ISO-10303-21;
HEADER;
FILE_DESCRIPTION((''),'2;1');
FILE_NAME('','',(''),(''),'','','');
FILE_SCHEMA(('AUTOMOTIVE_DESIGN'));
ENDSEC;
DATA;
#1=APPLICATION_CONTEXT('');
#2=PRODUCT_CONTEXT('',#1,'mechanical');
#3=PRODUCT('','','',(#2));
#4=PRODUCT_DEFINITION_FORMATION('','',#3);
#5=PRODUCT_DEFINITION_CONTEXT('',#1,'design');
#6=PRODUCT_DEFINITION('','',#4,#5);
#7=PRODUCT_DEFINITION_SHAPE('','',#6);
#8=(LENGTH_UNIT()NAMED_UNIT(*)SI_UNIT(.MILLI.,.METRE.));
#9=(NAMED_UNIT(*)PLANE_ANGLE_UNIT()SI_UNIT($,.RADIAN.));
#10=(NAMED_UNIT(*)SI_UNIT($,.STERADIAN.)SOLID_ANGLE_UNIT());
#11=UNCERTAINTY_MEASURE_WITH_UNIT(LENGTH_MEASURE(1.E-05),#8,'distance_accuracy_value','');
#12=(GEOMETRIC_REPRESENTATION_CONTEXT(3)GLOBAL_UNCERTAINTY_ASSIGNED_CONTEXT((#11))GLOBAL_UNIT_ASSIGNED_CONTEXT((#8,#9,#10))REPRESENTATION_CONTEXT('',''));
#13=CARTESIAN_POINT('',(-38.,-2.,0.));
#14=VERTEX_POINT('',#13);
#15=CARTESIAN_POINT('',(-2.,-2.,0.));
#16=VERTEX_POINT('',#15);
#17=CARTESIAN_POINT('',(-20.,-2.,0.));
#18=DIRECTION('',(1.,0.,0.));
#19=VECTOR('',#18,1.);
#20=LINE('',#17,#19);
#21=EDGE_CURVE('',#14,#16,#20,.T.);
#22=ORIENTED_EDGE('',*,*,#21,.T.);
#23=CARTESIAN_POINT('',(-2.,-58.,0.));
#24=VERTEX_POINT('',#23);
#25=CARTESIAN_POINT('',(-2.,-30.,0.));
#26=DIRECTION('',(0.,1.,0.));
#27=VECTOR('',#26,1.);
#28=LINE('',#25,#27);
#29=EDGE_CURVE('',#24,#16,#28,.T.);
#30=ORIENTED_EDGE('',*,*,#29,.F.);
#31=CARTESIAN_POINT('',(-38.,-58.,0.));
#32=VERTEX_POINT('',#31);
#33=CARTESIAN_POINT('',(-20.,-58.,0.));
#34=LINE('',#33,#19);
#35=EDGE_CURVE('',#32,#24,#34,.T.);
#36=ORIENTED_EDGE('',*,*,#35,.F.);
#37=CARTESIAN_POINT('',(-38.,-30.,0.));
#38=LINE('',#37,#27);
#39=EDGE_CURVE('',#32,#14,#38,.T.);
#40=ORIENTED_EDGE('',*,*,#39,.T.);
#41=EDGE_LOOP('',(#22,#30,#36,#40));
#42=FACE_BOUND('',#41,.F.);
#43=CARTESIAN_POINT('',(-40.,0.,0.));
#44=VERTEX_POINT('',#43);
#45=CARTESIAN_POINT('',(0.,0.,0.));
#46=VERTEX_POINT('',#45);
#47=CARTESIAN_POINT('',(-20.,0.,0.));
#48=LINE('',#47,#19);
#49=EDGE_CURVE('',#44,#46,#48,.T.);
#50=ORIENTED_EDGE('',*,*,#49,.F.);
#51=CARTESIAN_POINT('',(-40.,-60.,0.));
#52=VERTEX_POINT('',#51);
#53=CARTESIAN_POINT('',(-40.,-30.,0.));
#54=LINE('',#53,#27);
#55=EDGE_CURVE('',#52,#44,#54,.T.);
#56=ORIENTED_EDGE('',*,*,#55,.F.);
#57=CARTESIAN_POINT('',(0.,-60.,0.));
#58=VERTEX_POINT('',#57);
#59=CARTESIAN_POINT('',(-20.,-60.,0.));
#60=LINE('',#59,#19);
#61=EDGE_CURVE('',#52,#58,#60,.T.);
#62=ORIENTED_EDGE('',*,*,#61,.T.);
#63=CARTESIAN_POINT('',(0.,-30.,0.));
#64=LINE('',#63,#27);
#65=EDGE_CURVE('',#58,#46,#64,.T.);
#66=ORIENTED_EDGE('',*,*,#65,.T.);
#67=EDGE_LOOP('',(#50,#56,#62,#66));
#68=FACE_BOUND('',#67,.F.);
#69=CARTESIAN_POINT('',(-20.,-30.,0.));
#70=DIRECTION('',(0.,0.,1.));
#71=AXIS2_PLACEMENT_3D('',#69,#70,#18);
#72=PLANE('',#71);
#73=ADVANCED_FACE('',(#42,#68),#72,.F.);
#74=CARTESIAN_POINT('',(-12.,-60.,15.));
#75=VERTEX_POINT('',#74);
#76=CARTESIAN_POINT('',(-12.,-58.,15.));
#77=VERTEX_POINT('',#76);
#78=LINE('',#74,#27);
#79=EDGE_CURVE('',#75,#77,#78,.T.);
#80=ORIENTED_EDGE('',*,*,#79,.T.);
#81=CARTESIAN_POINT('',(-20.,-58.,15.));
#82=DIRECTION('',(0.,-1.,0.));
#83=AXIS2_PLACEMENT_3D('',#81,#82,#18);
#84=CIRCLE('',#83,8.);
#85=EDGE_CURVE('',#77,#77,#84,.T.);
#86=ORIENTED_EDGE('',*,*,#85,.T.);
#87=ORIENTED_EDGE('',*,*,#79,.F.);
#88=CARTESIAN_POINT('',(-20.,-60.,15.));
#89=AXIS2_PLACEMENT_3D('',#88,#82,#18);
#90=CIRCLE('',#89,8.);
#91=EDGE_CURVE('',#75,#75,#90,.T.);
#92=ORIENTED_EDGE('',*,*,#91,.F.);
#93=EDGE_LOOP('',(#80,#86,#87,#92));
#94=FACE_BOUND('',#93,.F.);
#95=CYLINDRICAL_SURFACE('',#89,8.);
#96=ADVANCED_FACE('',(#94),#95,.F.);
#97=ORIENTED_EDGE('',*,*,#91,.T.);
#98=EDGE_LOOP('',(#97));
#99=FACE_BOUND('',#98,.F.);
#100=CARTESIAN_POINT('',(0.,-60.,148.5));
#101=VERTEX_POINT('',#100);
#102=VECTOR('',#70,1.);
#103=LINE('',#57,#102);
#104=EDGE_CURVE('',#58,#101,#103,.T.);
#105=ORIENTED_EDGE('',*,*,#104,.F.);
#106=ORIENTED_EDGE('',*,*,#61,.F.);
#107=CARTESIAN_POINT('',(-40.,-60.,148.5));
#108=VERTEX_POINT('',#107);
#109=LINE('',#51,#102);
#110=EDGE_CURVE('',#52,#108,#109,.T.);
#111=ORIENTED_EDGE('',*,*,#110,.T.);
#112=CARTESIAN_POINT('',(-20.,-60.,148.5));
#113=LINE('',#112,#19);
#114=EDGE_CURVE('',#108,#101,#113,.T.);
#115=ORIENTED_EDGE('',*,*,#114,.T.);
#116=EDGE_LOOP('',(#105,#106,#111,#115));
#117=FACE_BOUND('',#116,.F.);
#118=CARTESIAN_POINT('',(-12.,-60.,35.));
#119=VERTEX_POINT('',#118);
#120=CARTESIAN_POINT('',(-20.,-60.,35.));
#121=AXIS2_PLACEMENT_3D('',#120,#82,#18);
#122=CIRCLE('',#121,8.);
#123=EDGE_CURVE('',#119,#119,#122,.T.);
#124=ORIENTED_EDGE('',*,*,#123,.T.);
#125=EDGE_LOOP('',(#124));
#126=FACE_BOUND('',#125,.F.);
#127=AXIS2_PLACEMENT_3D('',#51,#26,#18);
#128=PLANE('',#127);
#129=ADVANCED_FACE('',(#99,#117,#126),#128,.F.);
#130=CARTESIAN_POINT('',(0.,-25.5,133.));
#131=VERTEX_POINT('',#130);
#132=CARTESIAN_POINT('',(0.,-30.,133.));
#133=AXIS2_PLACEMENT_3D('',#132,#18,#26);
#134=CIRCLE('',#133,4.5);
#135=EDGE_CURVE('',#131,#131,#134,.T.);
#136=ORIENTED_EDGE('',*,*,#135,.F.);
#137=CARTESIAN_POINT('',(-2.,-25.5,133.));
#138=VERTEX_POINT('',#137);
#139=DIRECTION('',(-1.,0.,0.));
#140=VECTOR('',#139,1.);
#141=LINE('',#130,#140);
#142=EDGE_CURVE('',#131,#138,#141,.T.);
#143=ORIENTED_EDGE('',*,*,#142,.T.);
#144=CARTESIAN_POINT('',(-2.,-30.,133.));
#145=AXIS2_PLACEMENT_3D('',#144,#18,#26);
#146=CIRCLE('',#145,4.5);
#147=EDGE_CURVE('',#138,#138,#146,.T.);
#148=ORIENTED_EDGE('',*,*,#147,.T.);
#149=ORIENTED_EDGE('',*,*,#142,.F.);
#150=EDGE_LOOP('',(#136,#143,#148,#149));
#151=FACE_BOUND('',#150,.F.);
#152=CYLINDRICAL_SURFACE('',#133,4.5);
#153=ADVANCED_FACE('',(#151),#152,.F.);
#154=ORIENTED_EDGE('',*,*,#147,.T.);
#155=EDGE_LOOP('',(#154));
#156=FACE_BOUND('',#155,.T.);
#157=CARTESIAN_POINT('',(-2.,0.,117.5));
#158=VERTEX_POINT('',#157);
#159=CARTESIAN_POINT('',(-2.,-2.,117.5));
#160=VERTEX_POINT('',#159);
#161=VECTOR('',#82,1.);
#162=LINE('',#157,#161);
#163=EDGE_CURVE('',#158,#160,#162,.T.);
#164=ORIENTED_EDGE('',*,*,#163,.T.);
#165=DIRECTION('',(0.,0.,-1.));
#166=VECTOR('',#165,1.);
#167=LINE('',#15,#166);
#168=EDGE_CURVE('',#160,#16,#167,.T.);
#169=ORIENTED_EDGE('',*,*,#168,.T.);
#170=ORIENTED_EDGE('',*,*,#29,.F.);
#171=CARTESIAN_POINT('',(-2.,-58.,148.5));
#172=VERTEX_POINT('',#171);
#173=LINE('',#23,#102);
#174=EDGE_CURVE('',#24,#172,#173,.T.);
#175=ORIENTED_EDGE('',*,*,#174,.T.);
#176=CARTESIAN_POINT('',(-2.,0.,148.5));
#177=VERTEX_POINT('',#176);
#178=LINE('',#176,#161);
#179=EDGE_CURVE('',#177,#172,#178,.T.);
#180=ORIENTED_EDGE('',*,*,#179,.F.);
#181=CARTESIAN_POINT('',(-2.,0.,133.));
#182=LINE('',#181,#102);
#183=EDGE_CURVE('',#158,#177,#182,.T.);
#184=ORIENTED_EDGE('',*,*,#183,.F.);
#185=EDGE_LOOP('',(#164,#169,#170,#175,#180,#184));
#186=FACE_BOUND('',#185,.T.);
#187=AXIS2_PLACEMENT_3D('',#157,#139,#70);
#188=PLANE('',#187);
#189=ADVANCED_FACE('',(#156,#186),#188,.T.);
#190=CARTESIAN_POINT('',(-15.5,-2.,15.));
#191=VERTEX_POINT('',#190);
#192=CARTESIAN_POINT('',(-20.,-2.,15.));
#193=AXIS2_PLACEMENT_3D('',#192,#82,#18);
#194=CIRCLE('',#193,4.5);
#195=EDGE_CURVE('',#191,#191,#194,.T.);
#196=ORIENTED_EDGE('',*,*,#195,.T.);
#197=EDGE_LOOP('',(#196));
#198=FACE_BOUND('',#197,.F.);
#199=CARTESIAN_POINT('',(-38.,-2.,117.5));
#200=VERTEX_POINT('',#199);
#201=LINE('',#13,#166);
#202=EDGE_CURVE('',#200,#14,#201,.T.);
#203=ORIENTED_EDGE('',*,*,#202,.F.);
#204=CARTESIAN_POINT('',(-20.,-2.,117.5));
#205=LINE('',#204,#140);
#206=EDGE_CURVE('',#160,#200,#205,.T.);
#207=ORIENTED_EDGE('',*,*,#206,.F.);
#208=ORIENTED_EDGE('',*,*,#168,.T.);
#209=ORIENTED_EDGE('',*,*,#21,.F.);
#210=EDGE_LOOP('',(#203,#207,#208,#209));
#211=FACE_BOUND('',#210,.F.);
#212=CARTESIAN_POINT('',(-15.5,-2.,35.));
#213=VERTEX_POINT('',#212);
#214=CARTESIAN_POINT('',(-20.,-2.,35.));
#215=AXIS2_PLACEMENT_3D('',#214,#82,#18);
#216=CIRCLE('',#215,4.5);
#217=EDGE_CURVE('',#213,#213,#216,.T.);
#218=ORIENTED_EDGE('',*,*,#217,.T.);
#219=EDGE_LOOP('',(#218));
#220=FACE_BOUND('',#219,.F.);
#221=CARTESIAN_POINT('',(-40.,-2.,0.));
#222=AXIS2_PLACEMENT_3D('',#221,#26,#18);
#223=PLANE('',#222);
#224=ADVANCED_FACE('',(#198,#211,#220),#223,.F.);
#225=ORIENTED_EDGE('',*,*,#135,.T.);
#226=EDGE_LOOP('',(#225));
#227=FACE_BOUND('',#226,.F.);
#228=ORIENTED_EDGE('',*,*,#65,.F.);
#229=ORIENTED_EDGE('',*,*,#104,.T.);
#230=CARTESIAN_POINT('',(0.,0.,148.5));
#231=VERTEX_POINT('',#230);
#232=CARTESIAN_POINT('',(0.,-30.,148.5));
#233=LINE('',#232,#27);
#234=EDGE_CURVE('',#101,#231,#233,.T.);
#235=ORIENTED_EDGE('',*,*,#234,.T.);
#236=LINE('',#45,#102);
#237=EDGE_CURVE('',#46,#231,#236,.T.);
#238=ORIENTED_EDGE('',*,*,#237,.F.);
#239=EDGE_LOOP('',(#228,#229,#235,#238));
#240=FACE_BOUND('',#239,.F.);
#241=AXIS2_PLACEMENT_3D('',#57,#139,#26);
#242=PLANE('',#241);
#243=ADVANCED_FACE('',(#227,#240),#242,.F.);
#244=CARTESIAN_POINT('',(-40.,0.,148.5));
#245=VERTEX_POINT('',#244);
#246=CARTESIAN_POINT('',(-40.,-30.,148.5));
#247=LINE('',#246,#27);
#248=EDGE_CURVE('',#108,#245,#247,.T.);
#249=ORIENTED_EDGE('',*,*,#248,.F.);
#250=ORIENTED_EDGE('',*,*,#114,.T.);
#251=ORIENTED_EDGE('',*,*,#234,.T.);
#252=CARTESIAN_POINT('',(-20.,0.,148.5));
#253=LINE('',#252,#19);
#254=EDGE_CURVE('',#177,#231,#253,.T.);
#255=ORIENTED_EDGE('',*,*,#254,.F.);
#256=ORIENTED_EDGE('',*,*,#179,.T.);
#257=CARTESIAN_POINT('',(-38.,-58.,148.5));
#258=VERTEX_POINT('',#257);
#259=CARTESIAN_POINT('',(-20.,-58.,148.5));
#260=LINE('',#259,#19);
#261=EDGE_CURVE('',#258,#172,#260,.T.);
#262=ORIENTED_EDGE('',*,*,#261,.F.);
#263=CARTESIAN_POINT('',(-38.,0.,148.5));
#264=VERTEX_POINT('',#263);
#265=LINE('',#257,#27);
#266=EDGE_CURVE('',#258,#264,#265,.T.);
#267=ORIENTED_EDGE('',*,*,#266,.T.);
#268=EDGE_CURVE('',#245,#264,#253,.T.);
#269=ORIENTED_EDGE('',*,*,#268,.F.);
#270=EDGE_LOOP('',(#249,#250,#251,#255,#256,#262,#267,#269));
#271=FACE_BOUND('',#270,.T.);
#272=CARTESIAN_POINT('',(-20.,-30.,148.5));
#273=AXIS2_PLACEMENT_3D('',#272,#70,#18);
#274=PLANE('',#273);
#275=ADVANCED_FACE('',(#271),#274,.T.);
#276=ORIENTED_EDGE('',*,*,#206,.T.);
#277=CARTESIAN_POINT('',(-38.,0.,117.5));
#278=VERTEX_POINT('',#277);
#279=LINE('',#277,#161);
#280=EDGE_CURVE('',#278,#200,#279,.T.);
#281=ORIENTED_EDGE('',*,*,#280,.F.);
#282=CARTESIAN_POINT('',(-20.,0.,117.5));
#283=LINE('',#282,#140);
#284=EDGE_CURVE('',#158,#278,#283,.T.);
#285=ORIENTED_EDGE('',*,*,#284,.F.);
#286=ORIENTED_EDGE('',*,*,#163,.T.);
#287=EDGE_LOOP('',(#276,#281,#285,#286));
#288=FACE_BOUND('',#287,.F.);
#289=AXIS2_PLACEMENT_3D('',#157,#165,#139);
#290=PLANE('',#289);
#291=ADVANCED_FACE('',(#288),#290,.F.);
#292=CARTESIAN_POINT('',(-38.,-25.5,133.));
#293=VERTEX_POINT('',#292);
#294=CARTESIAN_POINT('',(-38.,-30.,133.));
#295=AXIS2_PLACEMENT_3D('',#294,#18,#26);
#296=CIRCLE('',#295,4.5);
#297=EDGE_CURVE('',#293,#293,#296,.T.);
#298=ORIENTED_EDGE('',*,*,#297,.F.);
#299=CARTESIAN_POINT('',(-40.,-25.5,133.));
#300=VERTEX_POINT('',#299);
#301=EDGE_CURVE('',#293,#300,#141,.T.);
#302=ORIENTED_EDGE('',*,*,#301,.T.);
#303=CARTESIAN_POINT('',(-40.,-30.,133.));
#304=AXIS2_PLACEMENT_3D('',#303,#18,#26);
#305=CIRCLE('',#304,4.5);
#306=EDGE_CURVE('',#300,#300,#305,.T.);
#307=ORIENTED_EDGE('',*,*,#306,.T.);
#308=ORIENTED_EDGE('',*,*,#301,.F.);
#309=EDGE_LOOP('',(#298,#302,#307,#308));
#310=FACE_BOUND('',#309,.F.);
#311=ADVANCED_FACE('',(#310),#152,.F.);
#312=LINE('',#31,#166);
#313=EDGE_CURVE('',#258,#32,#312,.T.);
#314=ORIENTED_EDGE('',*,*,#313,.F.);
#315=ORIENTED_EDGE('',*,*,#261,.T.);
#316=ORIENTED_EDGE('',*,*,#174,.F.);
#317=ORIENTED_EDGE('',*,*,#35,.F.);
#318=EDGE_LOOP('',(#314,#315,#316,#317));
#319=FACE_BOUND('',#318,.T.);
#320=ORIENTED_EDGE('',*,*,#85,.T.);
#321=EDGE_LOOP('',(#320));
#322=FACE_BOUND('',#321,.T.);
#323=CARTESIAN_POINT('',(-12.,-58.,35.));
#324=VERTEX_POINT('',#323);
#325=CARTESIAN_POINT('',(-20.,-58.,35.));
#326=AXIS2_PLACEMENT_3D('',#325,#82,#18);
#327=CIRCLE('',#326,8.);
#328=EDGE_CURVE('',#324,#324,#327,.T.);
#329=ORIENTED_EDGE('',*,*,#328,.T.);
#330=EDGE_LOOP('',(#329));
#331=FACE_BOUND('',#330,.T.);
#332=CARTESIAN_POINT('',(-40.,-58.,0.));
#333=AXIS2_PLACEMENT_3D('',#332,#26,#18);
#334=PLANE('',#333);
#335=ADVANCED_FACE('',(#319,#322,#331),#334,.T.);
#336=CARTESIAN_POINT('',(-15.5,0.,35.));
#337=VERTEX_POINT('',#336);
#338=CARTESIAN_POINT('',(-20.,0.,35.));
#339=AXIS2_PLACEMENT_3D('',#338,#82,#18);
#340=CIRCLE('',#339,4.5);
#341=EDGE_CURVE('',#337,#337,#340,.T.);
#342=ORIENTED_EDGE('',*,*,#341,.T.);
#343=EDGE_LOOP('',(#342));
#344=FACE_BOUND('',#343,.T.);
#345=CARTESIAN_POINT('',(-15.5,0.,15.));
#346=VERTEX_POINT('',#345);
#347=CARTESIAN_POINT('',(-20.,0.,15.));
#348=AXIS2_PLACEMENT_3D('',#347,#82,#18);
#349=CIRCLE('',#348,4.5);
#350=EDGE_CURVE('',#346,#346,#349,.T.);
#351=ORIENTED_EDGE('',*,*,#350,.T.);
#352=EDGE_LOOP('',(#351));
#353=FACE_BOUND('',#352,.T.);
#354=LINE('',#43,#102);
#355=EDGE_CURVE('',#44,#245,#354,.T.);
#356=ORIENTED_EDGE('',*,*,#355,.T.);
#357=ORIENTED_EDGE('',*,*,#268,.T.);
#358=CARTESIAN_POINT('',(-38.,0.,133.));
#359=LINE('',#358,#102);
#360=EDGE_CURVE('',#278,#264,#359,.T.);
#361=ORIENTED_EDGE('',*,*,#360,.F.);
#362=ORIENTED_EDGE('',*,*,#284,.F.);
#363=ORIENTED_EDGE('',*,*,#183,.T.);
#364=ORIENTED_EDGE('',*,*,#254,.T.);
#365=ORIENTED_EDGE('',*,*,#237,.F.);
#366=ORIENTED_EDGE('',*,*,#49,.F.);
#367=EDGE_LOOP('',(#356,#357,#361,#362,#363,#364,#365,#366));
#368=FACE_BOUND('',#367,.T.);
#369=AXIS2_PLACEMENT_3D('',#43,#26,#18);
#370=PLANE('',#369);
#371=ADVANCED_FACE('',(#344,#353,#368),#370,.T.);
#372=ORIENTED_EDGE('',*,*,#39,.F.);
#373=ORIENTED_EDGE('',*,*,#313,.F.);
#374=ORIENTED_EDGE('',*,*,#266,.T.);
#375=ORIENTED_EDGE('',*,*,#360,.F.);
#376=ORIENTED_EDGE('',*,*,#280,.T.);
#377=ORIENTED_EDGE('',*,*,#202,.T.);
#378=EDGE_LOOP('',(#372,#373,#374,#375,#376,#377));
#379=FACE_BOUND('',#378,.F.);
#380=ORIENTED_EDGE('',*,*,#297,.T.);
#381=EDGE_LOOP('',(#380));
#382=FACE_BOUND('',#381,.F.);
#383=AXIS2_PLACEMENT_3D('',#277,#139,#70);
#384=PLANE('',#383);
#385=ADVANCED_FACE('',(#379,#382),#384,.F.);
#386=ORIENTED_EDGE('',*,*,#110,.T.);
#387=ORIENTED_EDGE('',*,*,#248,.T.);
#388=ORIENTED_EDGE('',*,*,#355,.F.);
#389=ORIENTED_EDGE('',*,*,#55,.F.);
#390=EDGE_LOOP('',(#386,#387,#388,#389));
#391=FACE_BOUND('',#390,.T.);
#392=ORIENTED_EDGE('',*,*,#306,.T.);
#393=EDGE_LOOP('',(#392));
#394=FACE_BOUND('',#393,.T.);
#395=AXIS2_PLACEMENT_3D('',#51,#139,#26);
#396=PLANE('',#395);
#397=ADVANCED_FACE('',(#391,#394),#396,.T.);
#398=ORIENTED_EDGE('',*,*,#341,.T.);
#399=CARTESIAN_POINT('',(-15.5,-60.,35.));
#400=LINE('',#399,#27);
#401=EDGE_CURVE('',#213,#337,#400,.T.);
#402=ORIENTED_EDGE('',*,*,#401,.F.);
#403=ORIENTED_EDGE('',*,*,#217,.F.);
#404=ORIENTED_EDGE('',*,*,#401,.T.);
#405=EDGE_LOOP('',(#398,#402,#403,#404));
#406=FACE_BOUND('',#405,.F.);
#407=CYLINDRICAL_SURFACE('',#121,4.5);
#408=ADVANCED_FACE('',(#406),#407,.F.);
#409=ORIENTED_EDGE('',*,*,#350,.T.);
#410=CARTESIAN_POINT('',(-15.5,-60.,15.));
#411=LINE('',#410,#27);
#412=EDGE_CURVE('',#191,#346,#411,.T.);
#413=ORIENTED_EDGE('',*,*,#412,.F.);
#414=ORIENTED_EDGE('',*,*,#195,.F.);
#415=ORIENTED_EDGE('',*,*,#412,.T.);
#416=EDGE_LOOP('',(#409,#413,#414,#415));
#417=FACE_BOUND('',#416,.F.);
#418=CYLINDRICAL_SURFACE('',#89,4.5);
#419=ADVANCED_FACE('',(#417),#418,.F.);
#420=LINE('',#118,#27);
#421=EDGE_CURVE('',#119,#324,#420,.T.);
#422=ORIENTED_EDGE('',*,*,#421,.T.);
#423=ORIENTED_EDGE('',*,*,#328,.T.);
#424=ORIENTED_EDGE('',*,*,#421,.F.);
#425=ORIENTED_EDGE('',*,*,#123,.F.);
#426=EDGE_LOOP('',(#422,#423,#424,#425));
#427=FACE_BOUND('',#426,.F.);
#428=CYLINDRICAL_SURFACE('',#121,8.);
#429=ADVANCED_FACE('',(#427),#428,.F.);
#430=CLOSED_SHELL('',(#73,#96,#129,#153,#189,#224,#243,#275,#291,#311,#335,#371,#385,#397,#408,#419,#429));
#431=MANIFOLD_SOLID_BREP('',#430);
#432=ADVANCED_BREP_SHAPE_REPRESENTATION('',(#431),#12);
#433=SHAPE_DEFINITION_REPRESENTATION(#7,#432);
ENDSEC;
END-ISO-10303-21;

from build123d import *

# Parameters (mm, degrees)
F2_W      = 40
F2_H      = 60
F3_DEPTH  = 148.5
F4_T      = -2
F5_W      = 36
F5_H      = 31
F6_DEPTH  = 2
F7_R      = 4.5
F8_DEPTH  = 40.001
F9_R      = 4.5
F10_DEPTH = 60.001
F9_R_2    = 8
F11_DEPTH = 2


with BuildPart() as f3:
    # F2 (on Top) → F3 (new body)
    with BuildSketch(Plane.XY):
        with Locations((-20, -30)):
            Rectangle(F2_W, F2_H)
    extrude(amount=F3_DEPTH)

    # F4
    f4_openings = [f3.faces().sort_by_distance(p)[0] for p in [
        (-20, -30, 148.5),
        (-20, -30, 0),
    ]]
    offset(amount=F4_T, openings=f4_openings)

    # F5 (on face) → F6 (cut, through all)
    with BuildSketch(Plane(origin=(0, 0, 0), x_dir=(-1, 0, 0), z_dir=(0, 1, 0))):
        with Locations((20, 133)):
            Rectangle(F5_W, F5_H)
    extrude(amount=-F6_DEPTH, mode=Mode.SUBTRACT)

    # F7 (on Right) → F8 (cut, through all)
    with BuildSketch(Plane.YZ):
        with Locations((-30, 133)):
            Circle(F7_R)
    extrude(amount=-F8_DEPTH, mode=Mode.SUBTRACT)

    # F9 (on face) → F10 (cut, through all)
    with BuildSketch(Plane.XZ.offset(60)):
        with Locations((-20, 35)):
            Circle(F9_R)
        with Locations((-20, 15)):
            Circle(F9_R)
    extrude(amount=-F10_DEPTH, mode=Mode.SUBTRACT)

    # F9 (on face) → F11 (cut, through all)
    with BuildSketch(Plane.XZ.offset(60)):
        with Locations((-20, 35)):
            Circle(F9_R_2)
        with Locations((-20, 35)):
            Circle(F9_R, mode=Mode.SUBTRACT)
        with Locations((-20, 15)):
            Circle(F9_R_2)
        with Locations((-20, 15)):
            Circle(F9_R, mode=Mode.SUBTRACT)
    extrude(amount=-F11_DEPTH, mode=Mode.SUBTRACT)


solid = f3.part
